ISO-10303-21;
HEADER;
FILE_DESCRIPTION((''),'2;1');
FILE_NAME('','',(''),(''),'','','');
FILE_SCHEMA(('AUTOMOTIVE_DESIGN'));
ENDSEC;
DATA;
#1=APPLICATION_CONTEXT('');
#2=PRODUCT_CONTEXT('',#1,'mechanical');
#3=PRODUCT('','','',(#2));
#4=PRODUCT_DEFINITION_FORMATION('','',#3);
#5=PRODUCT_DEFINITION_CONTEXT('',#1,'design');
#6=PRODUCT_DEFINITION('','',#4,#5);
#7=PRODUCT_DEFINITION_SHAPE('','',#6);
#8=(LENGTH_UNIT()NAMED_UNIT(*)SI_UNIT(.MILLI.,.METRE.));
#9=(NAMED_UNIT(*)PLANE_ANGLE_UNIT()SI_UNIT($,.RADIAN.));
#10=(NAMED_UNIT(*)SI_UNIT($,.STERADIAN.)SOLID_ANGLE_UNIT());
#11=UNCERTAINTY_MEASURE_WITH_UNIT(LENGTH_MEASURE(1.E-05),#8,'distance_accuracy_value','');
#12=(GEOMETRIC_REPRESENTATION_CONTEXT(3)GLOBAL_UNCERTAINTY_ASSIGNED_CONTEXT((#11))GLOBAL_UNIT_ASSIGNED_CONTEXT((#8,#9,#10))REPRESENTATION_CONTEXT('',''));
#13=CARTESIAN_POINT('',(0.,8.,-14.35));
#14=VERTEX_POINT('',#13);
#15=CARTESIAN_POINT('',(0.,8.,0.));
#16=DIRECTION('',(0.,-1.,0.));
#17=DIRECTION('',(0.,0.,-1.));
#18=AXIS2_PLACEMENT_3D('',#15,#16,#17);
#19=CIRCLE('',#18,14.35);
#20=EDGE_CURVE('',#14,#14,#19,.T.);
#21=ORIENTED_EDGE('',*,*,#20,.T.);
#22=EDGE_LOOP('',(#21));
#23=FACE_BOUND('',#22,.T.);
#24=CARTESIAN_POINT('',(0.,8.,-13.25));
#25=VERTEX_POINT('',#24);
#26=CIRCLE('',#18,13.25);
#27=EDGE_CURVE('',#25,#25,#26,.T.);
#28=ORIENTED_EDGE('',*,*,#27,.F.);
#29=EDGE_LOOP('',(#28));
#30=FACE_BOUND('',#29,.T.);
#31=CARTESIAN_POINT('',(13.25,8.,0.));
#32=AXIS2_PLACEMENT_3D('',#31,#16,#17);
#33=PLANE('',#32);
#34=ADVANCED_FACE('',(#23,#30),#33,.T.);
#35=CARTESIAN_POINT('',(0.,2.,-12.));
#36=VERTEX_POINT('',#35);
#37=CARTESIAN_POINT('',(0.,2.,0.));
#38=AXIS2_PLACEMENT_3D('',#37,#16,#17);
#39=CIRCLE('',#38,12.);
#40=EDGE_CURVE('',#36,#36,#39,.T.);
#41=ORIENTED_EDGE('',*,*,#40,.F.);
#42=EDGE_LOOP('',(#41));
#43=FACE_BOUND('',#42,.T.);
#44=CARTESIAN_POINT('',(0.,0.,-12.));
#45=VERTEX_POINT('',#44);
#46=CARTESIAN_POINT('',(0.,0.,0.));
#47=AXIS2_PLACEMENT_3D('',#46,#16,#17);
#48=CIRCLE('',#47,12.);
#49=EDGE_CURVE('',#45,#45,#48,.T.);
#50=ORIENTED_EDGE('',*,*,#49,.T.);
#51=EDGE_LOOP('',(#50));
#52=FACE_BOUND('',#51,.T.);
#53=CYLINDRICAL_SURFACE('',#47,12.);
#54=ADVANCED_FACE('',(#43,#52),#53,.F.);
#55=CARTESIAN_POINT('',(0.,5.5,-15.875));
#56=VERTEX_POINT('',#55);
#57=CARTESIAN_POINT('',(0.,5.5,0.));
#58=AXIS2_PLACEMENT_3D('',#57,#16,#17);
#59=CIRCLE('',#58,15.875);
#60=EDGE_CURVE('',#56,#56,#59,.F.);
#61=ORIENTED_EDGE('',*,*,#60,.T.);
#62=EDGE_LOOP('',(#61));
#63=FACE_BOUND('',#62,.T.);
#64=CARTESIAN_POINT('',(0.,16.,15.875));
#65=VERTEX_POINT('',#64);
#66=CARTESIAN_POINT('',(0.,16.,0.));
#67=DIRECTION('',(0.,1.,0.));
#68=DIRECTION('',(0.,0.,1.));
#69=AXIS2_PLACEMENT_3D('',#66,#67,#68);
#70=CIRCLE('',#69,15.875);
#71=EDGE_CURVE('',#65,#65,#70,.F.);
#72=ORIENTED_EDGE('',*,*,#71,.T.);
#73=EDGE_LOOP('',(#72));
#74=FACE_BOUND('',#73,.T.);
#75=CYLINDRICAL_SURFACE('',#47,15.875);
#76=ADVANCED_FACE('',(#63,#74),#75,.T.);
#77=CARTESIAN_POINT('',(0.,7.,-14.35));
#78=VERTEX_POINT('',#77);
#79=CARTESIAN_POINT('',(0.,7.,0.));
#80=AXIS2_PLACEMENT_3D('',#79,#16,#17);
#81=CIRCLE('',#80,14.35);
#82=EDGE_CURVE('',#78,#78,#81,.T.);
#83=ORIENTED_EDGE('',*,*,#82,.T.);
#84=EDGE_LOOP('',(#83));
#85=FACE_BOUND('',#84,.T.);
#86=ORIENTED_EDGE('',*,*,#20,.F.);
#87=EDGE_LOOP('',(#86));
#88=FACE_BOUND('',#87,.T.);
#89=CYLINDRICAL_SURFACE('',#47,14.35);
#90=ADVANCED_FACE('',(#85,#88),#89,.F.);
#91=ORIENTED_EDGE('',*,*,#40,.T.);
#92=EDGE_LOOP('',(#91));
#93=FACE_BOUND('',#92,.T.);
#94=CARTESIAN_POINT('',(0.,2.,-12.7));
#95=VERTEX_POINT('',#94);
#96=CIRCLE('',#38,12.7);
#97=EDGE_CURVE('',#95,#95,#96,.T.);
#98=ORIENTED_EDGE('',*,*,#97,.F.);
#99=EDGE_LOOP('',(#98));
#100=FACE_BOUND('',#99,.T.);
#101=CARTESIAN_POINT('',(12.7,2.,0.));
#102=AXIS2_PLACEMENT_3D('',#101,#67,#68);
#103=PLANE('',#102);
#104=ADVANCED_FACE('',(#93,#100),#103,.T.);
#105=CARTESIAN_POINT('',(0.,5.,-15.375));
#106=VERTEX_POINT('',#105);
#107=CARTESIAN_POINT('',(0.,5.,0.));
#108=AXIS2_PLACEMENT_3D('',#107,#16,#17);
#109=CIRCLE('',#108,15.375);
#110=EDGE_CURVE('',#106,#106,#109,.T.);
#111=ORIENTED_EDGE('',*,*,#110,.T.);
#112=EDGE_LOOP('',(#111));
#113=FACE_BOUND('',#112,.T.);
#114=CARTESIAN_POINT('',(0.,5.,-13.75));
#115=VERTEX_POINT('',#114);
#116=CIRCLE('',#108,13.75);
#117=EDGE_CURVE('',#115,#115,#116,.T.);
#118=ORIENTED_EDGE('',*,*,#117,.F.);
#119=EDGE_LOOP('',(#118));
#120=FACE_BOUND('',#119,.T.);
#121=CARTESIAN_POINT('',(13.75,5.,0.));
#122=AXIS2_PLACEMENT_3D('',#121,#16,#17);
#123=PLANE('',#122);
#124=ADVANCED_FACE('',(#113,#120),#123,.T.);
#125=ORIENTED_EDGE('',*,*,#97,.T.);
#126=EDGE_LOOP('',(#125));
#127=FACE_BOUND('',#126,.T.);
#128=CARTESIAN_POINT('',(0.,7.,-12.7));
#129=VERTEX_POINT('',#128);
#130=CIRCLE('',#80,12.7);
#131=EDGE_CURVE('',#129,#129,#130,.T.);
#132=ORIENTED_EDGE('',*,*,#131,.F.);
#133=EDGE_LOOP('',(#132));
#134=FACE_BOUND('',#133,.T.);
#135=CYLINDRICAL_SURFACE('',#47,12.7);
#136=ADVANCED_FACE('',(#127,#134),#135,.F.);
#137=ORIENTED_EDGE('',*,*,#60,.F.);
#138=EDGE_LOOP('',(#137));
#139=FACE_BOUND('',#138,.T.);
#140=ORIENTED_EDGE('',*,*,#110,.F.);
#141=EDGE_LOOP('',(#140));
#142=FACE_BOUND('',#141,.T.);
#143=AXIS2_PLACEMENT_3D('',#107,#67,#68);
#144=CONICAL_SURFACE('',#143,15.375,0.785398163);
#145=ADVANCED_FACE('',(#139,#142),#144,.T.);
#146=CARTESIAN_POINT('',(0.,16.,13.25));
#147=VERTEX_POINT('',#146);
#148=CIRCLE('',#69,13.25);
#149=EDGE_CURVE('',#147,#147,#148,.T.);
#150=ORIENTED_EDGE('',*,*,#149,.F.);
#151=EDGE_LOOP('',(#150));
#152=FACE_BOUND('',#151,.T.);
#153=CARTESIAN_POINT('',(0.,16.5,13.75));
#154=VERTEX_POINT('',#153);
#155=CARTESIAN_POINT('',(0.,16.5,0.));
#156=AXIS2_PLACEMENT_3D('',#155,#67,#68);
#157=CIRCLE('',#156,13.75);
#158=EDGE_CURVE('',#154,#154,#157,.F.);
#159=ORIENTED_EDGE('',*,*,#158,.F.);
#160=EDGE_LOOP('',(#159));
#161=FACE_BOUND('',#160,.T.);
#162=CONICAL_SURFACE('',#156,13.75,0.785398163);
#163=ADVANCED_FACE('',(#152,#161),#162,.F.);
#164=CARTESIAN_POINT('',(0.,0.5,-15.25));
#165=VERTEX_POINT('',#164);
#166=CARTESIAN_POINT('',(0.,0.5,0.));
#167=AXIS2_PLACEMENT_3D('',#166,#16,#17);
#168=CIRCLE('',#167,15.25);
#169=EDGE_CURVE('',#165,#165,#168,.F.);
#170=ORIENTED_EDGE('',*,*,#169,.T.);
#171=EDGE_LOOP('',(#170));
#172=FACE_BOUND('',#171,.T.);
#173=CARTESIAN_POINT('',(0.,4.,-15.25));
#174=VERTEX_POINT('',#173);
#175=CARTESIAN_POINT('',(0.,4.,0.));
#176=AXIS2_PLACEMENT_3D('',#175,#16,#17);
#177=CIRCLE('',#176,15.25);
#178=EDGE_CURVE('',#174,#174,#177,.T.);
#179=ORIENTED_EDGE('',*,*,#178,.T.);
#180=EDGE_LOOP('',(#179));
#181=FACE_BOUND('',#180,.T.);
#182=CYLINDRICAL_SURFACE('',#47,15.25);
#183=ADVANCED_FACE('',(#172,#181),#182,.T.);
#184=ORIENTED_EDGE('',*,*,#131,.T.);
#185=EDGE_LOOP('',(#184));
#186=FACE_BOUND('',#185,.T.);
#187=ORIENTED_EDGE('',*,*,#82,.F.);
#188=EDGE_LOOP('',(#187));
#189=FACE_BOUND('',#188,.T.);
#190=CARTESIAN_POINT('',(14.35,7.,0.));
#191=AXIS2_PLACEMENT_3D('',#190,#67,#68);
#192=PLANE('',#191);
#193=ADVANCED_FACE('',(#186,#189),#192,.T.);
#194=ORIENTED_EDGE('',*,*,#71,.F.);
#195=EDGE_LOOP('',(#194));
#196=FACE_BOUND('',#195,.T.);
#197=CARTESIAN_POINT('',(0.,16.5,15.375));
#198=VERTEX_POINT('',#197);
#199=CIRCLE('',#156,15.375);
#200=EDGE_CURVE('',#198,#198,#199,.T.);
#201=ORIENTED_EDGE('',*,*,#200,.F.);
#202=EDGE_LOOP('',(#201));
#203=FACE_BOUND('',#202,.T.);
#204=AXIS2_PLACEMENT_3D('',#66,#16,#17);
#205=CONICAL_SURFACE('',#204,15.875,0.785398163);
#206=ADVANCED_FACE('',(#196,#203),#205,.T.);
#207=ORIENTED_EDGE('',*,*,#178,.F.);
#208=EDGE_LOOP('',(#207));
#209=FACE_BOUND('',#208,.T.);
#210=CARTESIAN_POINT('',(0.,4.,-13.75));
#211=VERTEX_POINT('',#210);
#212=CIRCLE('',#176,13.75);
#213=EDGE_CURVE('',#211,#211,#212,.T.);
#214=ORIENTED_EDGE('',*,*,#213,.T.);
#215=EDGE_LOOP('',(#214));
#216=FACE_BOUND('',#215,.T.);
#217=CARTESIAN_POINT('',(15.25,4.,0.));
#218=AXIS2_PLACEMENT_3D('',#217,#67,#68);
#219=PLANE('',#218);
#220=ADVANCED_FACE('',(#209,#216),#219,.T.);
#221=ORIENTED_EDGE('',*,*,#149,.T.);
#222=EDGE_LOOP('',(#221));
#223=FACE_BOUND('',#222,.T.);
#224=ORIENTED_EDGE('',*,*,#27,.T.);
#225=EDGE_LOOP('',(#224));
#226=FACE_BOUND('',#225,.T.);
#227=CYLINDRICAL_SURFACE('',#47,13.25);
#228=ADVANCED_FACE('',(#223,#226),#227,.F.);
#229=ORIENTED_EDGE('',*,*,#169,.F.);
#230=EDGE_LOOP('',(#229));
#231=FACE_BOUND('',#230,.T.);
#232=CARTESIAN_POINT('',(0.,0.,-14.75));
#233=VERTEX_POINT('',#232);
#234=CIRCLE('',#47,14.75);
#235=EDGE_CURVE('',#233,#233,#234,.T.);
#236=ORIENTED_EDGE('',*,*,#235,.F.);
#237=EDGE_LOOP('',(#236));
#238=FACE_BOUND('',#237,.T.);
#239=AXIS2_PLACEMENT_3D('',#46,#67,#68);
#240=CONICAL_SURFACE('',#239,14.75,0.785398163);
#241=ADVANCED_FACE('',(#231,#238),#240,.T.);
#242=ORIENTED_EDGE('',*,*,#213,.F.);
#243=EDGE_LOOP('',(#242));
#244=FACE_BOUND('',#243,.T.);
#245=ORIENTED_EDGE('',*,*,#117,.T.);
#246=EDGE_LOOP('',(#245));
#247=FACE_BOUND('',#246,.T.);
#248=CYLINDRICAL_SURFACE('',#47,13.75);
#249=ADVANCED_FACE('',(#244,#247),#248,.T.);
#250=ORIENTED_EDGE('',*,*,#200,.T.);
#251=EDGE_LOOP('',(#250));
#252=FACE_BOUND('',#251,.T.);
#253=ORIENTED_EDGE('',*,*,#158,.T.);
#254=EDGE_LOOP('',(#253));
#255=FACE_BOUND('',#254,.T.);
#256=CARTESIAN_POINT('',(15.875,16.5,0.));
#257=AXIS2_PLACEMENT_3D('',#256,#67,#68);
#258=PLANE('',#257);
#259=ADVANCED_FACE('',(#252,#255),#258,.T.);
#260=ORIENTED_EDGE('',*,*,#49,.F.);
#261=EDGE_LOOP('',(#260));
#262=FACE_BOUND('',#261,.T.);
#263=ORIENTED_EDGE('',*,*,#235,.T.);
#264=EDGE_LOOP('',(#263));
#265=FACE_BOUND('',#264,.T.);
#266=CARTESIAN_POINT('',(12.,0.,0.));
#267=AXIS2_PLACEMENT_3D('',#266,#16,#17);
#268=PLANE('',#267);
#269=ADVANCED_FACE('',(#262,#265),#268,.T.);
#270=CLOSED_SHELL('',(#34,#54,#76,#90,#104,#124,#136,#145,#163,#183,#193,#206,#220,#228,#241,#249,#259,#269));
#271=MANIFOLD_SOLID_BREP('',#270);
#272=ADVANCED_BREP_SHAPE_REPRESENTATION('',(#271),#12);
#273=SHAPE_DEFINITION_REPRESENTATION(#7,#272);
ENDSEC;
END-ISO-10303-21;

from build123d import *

# Parameters (mm, degrees)
CHAMFER_1_SIZE = 0.5


with BuildPart() as part:
    # 草图1 → 旋转1 (revolve)
    with BuildSketch(Plane.XY, mode=Mode.PRIVATE) as revolve_1_sk:
        Polygon((12, 0), (15.25, 0), (15.25, 4), (13.75, 4), (13.75, 5), (15.875, 5), (15.875, 16.5), (13.25, 16.5), (13.25, 8), (14.35, 8), (14.35, 7), (12.7, 7), (12.7, 2), (12, 2), align=None)
    revolve(revolve_1_sk.sketch.rotate(Axis((0, 0, 0), (0, 1, 0)), 90), axis=Axis((0, 0, 0), (0, 1, 0)))  # turned: the seam where the file's is

    # 倒角1
    chamfer_1_edges = [part.edges().sort_by_distance(p)[0] for p in [
        (0, 16.5, 13.25),
        (0, 16.5, 15.875),
        (0, 5, 15.875),
        (0, 0, 15.25),
    ]]
    chamfer(chamfer_1_edges, length=CHAMFER_1_SIZE)


solid = part.part
